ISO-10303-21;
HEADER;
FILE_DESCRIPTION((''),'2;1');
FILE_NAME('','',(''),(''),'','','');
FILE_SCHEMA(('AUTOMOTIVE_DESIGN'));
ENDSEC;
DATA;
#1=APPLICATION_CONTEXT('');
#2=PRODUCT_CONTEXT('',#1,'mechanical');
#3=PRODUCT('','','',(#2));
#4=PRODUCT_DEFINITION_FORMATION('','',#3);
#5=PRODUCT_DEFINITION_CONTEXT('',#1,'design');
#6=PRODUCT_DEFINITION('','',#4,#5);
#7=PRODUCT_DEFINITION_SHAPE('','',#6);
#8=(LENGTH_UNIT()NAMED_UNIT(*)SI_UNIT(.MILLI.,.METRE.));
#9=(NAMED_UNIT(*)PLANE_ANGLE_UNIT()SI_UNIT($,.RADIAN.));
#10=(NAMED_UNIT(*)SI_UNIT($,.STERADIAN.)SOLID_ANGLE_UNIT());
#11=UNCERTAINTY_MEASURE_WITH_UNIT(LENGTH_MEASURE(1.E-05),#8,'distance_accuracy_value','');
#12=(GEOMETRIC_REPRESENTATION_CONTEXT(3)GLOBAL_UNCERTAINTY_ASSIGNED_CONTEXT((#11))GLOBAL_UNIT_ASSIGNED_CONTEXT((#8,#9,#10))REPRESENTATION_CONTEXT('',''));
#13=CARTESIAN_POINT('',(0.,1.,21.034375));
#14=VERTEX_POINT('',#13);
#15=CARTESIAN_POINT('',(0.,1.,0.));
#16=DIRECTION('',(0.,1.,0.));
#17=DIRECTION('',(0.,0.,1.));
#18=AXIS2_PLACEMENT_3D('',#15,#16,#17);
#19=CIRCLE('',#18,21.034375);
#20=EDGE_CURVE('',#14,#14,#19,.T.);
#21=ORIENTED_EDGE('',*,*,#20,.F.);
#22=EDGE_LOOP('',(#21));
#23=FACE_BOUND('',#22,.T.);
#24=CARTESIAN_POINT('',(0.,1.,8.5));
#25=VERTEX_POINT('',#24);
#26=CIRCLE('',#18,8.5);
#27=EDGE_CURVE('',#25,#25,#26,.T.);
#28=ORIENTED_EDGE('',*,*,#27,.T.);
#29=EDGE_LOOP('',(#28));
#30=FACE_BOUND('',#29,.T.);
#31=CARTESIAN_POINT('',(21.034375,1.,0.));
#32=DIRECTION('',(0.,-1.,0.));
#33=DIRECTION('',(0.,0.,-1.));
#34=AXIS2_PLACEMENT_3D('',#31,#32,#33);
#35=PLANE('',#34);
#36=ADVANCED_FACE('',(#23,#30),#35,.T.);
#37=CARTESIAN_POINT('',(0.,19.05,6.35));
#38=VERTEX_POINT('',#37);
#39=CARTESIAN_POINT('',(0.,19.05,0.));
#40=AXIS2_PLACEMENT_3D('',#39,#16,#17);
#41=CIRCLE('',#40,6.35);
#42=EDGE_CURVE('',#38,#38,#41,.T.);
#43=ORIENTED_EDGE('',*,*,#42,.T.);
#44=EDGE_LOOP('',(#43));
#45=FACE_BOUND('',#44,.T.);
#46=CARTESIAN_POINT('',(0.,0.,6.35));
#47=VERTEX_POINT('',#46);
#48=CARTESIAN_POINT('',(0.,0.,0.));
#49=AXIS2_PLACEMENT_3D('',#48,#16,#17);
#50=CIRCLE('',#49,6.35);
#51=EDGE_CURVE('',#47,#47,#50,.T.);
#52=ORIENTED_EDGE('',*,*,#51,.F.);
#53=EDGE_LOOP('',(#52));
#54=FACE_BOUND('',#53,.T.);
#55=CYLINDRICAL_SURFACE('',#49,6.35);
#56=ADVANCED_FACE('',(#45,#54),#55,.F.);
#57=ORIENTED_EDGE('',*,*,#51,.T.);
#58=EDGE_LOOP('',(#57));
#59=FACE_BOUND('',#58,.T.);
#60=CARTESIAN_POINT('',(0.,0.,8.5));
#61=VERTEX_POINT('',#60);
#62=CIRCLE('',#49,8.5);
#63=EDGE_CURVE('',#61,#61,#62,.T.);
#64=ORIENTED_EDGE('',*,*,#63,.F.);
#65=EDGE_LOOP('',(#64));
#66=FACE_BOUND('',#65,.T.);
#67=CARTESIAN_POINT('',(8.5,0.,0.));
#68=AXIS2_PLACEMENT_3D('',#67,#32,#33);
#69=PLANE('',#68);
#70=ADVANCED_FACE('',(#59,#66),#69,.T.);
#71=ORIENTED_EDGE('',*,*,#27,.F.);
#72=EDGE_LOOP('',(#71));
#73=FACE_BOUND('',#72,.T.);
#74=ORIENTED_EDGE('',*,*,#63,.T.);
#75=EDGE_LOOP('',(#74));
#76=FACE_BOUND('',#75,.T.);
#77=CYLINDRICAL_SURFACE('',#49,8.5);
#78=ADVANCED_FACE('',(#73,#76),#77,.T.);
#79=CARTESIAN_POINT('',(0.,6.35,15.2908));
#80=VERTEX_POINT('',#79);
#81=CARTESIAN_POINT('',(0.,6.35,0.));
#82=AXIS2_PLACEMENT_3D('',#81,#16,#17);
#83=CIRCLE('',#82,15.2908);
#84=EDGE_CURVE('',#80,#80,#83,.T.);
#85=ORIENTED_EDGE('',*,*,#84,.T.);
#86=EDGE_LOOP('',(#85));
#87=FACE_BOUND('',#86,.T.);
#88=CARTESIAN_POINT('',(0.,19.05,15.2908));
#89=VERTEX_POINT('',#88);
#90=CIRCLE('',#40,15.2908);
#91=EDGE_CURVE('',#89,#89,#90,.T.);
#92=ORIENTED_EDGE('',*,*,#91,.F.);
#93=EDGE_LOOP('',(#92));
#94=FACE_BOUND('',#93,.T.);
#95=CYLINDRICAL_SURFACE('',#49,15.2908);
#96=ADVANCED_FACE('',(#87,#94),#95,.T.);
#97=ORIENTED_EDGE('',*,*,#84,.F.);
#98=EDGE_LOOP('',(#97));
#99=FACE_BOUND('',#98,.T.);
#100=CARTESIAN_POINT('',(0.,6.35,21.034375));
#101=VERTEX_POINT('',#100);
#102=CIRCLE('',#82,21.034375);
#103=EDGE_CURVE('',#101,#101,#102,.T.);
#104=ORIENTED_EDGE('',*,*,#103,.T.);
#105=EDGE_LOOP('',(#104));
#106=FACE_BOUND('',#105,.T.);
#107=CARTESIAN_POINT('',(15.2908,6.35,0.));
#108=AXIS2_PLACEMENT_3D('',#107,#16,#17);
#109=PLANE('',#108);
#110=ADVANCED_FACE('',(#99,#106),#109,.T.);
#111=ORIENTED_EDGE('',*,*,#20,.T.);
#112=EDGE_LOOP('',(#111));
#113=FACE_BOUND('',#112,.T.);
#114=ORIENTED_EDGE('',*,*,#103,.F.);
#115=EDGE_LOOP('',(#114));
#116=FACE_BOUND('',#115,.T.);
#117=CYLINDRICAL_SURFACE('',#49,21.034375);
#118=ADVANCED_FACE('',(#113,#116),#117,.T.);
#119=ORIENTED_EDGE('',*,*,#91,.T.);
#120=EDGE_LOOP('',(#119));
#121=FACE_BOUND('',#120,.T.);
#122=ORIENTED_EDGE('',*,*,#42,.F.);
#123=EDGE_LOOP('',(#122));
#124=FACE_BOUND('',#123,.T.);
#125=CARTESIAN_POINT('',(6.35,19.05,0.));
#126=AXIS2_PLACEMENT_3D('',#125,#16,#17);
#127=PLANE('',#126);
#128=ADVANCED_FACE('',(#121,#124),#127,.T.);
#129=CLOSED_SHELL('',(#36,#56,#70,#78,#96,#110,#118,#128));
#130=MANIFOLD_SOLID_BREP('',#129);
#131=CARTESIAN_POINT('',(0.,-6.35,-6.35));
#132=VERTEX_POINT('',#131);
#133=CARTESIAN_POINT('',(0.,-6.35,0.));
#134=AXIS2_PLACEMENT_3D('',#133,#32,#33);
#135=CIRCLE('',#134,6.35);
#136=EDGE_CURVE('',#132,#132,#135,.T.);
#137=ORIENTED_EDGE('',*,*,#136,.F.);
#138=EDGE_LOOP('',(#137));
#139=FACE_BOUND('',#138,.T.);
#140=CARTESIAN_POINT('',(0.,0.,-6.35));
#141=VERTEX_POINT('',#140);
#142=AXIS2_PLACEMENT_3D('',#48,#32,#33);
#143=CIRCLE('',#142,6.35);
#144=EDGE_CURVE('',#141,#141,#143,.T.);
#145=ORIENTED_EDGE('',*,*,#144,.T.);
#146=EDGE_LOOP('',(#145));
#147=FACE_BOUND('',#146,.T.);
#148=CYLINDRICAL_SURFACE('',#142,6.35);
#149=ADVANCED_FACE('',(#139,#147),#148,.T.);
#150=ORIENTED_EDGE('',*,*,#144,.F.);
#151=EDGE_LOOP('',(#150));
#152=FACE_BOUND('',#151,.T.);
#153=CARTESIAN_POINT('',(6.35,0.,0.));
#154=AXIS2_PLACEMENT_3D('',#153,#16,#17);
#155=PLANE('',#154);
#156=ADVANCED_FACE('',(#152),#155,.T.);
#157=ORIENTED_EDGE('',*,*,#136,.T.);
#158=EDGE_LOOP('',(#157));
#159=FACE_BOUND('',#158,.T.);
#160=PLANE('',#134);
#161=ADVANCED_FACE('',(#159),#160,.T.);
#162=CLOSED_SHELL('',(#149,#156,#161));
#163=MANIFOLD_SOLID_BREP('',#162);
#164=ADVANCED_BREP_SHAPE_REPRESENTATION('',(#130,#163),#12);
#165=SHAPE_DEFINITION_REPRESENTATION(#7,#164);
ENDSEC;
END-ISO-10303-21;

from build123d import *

# Parameters (mm, degrees)
SKETCH7_W = 6.35
SKETCH7_H = 6.35


with BuildPart() as part:
    # Sketch5 → Revolve2 (revolve)
    with BuildSketch(Plane(origin=(0, 0, 0), x_dir=(-1, 0, 0), z_dir=(0, 0, -1)), mode=Mode.PRIVATE) as revolve2_sk:
        Polygon((-21.034375, 1), (-8.5, 1), (-8.5, 0), (-6.35, 0), (-6.35, 19.05), (-15.2908, 19.05), (-15.2908, 6.35), (-21.034375, 6.35), align=None)
    revolve(revolve2_sk.sketch.rotate(Axis((0, 0, 0), (0, 1, 0)), 270), axis=Axis((0, 0, 0), (0, 1, 0)))


with BuildPart() as body_2:
    # Sketch7 → Revolve3 (revolve)
    with BuildSketch(Plane.XY, mode=Mode.PRIVATE) as revolve3_sk:
        with Locations((3.175, -3.175)):
            Rectangle(SKETCH7_W, SKETCH7_H)
    revolve(revolve3_sk.sketch.rotate(Axis((0, 0, 0), (0, -1, 0)), 270), axis=Axis((0, 0, 0), (0, -1, 0)))


solid = Compound([part.part, body_2.part])
